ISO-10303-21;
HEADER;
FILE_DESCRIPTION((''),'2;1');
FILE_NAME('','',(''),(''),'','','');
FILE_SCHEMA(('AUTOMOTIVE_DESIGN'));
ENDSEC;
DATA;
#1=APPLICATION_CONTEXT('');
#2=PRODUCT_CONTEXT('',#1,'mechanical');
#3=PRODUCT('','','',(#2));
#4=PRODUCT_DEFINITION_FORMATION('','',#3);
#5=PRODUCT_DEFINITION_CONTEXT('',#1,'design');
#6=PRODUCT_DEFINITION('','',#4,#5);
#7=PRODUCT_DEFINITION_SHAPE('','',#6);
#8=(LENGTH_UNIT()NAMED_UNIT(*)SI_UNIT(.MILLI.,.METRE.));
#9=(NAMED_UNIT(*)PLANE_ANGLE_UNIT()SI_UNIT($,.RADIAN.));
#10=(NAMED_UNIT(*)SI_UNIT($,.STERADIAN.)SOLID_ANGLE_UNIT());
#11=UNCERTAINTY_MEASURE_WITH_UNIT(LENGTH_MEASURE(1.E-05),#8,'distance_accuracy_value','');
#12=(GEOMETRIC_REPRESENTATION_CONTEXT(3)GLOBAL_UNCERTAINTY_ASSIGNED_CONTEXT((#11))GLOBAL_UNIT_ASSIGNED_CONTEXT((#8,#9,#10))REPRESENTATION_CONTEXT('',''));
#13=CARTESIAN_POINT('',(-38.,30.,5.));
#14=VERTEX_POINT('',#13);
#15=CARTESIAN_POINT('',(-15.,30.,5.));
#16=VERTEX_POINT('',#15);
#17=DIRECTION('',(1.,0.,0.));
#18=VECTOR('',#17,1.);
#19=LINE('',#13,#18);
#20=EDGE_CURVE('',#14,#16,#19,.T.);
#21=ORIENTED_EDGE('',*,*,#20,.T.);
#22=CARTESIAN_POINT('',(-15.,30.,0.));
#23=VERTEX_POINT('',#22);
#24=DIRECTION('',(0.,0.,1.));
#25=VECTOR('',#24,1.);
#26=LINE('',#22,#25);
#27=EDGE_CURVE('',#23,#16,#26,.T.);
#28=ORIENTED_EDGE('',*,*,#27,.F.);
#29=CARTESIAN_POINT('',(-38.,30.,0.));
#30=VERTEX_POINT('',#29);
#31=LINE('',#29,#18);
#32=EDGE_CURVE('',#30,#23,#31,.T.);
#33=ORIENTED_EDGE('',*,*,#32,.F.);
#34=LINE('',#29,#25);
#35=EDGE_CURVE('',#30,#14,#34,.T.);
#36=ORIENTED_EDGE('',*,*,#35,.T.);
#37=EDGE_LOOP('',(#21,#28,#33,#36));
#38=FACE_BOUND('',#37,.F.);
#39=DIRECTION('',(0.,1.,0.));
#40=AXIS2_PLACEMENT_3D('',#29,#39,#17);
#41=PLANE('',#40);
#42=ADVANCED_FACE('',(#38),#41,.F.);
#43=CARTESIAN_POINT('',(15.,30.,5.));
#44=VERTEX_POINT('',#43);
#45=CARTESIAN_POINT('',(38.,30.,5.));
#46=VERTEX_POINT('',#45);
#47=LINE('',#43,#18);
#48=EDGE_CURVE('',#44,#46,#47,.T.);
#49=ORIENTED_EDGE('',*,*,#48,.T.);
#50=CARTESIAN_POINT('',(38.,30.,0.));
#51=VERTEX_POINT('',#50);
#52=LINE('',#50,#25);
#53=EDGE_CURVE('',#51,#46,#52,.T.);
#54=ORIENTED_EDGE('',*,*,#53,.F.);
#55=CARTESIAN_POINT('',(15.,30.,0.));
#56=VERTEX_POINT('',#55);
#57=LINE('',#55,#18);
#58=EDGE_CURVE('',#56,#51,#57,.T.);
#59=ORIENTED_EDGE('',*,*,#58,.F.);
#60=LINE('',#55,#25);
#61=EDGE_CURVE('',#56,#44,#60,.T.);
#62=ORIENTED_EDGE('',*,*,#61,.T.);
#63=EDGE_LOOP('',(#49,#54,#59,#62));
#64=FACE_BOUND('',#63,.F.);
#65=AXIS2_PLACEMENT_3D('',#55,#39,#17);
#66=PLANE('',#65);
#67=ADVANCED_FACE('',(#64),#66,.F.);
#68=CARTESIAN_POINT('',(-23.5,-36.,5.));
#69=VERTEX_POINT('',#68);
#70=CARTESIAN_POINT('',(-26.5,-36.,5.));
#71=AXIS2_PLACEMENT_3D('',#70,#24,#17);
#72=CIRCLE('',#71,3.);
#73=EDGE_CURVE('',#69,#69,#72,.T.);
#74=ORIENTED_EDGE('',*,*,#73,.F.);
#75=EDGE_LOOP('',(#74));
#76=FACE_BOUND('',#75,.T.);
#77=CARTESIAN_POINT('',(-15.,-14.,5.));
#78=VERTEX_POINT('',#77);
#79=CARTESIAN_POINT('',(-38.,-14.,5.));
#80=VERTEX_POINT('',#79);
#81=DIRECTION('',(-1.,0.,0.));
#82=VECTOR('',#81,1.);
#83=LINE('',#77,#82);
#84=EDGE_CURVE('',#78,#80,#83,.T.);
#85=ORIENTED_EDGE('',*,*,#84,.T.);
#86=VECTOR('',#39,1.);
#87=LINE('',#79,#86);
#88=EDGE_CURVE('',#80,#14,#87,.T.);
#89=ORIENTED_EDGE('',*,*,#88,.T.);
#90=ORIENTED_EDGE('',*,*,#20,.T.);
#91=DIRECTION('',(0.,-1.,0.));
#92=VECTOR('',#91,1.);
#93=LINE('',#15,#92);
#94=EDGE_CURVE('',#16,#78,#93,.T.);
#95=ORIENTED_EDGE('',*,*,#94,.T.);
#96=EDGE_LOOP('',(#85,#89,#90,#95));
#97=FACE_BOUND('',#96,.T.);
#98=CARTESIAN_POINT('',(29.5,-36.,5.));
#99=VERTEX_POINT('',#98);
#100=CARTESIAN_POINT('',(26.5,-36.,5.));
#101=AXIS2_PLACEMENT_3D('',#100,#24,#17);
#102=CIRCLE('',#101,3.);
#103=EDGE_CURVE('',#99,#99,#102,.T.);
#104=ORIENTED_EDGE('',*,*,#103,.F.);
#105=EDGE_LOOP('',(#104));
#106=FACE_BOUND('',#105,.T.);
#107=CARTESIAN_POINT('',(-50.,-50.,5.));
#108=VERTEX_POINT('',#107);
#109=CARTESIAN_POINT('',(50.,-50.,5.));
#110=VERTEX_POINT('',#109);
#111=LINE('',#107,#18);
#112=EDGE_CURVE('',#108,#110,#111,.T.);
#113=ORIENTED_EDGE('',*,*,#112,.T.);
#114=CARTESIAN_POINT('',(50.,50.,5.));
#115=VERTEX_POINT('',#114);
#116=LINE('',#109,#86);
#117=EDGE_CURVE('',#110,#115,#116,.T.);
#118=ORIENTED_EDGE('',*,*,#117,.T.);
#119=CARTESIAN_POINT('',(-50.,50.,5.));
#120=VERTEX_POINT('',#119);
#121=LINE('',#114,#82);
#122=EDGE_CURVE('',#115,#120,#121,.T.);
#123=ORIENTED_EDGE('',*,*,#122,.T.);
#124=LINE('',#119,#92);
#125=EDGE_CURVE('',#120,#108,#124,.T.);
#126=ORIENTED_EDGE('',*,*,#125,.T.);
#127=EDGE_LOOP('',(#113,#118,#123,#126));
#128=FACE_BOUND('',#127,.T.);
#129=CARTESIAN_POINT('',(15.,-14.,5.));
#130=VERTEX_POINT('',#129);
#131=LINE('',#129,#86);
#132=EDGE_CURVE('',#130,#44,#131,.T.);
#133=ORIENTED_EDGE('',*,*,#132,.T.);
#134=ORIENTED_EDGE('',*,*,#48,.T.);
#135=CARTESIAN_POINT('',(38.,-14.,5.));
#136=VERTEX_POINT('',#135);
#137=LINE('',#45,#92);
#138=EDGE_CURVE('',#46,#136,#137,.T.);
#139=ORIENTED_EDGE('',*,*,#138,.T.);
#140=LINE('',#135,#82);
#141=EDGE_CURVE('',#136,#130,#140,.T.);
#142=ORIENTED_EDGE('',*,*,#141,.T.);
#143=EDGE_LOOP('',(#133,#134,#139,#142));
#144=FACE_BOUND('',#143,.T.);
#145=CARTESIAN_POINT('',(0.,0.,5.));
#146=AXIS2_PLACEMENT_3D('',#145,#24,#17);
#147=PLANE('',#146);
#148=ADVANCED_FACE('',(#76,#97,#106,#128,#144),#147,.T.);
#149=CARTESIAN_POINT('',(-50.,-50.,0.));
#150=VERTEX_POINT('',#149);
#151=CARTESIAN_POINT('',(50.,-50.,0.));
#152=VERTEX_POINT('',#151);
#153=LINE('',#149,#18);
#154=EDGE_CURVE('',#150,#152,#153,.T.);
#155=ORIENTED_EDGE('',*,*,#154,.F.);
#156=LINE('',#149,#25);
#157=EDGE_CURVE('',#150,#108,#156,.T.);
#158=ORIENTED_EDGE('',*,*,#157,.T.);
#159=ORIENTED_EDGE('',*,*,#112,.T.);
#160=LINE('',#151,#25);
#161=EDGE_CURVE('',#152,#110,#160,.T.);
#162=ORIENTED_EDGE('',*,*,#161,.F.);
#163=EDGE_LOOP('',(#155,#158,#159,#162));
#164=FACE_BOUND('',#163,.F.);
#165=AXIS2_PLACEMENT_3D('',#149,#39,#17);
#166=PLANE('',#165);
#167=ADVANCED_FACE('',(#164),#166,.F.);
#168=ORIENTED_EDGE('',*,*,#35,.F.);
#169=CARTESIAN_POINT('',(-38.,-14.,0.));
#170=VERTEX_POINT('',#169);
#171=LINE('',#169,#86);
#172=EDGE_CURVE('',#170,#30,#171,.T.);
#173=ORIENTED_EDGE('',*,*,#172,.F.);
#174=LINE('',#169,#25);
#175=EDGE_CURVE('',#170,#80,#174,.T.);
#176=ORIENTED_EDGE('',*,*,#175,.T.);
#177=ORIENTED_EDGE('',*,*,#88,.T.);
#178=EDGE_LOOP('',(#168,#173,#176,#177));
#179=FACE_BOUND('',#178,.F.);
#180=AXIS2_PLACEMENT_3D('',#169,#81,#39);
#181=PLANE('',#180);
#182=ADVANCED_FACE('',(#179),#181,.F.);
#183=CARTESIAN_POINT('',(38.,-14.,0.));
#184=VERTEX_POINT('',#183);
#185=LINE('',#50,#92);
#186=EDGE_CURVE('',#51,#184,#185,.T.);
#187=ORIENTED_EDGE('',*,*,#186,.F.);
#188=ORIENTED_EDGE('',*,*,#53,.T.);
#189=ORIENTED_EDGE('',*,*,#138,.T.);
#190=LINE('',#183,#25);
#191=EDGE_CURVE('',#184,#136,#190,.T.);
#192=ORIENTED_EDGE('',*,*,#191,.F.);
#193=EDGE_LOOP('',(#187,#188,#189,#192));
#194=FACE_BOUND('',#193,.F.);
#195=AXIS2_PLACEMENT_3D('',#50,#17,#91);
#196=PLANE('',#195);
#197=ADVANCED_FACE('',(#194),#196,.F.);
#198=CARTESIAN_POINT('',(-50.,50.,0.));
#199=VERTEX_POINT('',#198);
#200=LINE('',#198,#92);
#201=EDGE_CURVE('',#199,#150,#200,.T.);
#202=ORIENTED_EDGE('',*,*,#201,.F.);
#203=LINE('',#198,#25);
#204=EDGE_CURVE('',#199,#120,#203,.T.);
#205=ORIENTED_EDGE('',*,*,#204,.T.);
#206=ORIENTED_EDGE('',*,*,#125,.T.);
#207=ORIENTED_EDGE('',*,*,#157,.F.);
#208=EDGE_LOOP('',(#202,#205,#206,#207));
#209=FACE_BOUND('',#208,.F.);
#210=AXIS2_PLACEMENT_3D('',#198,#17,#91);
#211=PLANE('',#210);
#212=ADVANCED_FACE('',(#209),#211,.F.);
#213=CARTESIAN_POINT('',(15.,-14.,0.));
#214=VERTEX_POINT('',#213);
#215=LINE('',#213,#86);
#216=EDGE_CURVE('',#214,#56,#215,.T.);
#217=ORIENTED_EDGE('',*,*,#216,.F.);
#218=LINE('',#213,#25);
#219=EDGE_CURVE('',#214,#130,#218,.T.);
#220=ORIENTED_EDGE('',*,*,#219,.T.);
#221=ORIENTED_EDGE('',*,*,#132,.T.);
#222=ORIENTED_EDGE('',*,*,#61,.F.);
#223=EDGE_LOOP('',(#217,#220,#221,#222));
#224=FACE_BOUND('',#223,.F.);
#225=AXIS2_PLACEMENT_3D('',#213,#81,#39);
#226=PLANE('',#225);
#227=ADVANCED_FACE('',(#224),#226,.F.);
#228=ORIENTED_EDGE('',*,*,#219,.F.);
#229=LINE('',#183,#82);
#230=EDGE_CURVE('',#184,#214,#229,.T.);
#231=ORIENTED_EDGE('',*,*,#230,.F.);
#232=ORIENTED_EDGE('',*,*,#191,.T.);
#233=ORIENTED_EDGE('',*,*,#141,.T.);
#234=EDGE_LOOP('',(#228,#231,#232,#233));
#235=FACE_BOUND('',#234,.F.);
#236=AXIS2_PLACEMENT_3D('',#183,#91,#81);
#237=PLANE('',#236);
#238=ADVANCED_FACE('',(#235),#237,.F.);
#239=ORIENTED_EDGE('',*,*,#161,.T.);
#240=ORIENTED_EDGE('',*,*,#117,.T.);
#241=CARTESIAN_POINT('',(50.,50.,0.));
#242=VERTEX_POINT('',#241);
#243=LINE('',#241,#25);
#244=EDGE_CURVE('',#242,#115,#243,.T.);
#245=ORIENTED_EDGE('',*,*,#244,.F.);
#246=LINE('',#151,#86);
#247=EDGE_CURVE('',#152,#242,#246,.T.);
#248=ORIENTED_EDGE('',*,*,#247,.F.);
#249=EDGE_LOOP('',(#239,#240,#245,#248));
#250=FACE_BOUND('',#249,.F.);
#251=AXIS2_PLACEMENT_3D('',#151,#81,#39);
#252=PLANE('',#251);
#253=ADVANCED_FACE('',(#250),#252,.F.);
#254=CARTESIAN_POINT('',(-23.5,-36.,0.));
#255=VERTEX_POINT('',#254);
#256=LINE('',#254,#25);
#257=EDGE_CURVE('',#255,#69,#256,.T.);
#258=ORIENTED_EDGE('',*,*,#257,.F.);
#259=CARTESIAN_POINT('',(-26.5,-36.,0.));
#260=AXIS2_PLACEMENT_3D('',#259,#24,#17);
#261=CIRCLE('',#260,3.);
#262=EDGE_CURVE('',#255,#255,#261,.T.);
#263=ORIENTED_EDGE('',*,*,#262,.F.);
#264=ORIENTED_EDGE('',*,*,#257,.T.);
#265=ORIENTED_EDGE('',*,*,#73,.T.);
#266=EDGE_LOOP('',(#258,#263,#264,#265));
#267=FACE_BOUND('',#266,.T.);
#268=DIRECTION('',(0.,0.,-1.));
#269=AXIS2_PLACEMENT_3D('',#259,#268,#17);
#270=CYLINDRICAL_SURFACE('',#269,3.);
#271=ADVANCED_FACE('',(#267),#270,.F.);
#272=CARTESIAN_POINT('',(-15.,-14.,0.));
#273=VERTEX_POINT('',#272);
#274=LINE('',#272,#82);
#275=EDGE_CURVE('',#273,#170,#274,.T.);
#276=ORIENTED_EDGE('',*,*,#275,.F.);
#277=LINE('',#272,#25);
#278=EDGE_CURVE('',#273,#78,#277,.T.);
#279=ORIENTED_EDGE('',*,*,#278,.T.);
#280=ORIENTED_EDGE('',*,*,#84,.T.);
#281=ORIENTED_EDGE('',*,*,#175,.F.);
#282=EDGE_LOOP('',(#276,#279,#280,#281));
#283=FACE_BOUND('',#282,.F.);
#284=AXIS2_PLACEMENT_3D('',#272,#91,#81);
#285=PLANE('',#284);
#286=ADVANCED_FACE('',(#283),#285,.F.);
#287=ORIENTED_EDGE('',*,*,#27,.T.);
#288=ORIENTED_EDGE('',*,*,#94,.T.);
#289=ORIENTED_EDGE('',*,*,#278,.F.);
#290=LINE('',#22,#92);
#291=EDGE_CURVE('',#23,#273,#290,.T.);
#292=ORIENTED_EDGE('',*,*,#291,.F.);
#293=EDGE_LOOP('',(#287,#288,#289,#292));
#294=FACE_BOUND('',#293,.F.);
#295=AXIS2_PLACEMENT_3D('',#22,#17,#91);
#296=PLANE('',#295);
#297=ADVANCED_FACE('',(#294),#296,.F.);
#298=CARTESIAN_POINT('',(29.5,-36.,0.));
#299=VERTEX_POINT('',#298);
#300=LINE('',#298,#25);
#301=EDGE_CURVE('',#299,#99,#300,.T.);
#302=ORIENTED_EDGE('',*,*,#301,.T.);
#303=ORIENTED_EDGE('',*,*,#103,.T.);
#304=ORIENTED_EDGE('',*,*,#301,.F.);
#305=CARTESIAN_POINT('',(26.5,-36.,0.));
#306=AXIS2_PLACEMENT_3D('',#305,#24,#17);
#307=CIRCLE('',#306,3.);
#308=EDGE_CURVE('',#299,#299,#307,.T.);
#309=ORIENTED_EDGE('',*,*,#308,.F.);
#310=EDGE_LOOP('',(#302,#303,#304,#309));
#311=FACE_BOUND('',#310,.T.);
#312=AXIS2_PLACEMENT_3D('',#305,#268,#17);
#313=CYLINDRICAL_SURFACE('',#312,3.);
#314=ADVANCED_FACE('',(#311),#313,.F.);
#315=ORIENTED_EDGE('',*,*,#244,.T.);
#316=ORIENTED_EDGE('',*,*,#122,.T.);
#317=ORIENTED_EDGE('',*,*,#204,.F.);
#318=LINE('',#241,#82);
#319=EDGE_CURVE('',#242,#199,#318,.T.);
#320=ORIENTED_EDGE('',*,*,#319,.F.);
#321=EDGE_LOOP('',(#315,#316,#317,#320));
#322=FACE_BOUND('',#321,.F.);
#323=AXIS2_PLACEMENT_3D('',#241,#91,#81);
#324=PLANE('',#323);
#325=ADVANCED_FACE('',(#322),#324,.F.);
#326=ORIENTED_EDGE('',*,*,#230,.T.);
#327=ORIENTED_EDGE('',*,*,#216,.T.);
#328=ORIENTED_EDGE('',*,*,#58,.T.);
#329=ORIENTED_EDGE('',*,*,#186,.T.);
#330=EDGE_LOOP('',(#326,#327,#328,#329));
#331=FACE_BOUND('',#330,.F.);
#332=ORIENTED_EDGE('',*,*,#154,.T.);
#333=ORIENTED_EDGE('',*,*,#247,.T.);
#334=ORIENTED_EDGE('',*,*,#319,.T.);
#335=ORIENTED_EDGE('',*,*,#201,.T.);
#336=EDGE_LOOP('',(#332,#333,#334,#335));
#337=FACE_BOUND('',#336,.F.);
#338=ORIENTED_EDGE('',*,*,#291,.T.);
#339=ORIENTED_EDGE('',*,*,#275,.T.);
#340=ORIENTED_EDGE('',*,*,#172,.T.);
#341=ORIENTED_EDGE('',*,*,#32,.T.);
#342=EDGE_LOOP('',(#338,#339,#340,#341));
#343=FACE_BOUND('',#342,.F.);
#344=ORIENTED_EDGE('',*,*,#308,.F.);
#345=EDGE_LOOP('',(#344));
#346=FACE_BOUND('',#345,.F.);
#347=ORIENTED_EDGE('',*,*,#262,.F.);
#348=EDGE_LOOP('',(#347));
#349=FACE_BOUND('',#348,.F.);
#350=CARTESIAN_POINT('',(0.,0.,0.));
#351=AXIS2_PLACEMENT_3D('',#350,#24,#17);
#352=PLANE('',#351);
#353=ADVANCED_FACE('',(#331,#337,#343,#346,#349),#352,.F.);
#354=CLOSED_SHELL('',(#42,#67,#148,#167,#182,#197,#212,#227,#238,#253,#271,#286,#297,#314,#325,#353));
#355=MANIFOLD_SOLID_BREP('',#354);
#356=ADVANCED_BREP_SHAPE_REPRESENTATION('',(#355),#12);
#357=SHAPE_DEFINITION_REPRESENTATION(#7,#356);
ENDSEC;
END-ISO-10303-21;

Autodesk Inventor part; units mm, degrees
ref_plane "YZ Plane" through (0, 0, 0) normal (1, 0, 0) x (0, 1, 0)
ref_plane "XZ Plane" through (0, 0, 0) normal (0, 1, 0) x (-1, 0, 0)
ref_plane "XY Plane" through (0, 0, 0) normal (0, 0, 1) x (1, 0, 0)
sketch "Esquisse1" plane through (0, 0, 0) normal (0, 0, 1) x (1, 0, 0)
  line L0 (-50, -50) -> (50, -50)
  line L1 (50, -50) -> (50, 50)
  line L2 (50, 50) -> (-50, 50)
  line L3 (-50, 50) -> (-50, -50)
  line L4 (-50, -50) -> (50, 50) construction
  line L5 (50, -50) -> (-50, 50) construction
  line L6 (-38, 30) -> (-15, 30)
  line L7 (-15, 30) -> (-15, -14)
  line L8 (-15, -14) -> (-38, -14)
  line L9 (-38, -14) -> (-38, 30)
  line L10 (-38, 30) -> (-15, -14) construction
  line L11 (-15, 30) -> (-38, -14) construction
  line L12 (15, 30) -> (38, 30)
  line L13 (38, 30) -> (38, -14)
  line L14 (38, -14) -> (15, -14)
  line L15 (15, -14) -> (15, 30)
  line L16 (15, 30) -> (38, -14) construction
  line L17 (38, 30) -> (15, -14) construction
  circle A0 centre (-26.5, -36) radius 3
  circle A1 centre (26.5, -36) radius 3
  point P0 (0, 0)
  point P1 (-26.5, 8)
  point P2 (26.5, 8)
  point P3 (0, -50)
  dimension "d0" = 100
  dimension "d1" = 100
  dimension "d2" = 23
  dimension "d3" = 44
  dimension "d4" = 23
  dimension "d5" = 44
  dimension "d6" = 6
  dimension "d7" = 6
  dimension "d8" = 53
  dimension "d9" = 0
  dimension "d10" = 14
  dimension "d13" = 0
  dimension "d14" = 0
  dimension "d15" = 26.5
  dimension "d16" = 80
  dimension "d17" = 0
extrude "Extrusion1" add sketch "Esquisse1" along normal blind 5
properties part number "support_servo_Impression 3D"
